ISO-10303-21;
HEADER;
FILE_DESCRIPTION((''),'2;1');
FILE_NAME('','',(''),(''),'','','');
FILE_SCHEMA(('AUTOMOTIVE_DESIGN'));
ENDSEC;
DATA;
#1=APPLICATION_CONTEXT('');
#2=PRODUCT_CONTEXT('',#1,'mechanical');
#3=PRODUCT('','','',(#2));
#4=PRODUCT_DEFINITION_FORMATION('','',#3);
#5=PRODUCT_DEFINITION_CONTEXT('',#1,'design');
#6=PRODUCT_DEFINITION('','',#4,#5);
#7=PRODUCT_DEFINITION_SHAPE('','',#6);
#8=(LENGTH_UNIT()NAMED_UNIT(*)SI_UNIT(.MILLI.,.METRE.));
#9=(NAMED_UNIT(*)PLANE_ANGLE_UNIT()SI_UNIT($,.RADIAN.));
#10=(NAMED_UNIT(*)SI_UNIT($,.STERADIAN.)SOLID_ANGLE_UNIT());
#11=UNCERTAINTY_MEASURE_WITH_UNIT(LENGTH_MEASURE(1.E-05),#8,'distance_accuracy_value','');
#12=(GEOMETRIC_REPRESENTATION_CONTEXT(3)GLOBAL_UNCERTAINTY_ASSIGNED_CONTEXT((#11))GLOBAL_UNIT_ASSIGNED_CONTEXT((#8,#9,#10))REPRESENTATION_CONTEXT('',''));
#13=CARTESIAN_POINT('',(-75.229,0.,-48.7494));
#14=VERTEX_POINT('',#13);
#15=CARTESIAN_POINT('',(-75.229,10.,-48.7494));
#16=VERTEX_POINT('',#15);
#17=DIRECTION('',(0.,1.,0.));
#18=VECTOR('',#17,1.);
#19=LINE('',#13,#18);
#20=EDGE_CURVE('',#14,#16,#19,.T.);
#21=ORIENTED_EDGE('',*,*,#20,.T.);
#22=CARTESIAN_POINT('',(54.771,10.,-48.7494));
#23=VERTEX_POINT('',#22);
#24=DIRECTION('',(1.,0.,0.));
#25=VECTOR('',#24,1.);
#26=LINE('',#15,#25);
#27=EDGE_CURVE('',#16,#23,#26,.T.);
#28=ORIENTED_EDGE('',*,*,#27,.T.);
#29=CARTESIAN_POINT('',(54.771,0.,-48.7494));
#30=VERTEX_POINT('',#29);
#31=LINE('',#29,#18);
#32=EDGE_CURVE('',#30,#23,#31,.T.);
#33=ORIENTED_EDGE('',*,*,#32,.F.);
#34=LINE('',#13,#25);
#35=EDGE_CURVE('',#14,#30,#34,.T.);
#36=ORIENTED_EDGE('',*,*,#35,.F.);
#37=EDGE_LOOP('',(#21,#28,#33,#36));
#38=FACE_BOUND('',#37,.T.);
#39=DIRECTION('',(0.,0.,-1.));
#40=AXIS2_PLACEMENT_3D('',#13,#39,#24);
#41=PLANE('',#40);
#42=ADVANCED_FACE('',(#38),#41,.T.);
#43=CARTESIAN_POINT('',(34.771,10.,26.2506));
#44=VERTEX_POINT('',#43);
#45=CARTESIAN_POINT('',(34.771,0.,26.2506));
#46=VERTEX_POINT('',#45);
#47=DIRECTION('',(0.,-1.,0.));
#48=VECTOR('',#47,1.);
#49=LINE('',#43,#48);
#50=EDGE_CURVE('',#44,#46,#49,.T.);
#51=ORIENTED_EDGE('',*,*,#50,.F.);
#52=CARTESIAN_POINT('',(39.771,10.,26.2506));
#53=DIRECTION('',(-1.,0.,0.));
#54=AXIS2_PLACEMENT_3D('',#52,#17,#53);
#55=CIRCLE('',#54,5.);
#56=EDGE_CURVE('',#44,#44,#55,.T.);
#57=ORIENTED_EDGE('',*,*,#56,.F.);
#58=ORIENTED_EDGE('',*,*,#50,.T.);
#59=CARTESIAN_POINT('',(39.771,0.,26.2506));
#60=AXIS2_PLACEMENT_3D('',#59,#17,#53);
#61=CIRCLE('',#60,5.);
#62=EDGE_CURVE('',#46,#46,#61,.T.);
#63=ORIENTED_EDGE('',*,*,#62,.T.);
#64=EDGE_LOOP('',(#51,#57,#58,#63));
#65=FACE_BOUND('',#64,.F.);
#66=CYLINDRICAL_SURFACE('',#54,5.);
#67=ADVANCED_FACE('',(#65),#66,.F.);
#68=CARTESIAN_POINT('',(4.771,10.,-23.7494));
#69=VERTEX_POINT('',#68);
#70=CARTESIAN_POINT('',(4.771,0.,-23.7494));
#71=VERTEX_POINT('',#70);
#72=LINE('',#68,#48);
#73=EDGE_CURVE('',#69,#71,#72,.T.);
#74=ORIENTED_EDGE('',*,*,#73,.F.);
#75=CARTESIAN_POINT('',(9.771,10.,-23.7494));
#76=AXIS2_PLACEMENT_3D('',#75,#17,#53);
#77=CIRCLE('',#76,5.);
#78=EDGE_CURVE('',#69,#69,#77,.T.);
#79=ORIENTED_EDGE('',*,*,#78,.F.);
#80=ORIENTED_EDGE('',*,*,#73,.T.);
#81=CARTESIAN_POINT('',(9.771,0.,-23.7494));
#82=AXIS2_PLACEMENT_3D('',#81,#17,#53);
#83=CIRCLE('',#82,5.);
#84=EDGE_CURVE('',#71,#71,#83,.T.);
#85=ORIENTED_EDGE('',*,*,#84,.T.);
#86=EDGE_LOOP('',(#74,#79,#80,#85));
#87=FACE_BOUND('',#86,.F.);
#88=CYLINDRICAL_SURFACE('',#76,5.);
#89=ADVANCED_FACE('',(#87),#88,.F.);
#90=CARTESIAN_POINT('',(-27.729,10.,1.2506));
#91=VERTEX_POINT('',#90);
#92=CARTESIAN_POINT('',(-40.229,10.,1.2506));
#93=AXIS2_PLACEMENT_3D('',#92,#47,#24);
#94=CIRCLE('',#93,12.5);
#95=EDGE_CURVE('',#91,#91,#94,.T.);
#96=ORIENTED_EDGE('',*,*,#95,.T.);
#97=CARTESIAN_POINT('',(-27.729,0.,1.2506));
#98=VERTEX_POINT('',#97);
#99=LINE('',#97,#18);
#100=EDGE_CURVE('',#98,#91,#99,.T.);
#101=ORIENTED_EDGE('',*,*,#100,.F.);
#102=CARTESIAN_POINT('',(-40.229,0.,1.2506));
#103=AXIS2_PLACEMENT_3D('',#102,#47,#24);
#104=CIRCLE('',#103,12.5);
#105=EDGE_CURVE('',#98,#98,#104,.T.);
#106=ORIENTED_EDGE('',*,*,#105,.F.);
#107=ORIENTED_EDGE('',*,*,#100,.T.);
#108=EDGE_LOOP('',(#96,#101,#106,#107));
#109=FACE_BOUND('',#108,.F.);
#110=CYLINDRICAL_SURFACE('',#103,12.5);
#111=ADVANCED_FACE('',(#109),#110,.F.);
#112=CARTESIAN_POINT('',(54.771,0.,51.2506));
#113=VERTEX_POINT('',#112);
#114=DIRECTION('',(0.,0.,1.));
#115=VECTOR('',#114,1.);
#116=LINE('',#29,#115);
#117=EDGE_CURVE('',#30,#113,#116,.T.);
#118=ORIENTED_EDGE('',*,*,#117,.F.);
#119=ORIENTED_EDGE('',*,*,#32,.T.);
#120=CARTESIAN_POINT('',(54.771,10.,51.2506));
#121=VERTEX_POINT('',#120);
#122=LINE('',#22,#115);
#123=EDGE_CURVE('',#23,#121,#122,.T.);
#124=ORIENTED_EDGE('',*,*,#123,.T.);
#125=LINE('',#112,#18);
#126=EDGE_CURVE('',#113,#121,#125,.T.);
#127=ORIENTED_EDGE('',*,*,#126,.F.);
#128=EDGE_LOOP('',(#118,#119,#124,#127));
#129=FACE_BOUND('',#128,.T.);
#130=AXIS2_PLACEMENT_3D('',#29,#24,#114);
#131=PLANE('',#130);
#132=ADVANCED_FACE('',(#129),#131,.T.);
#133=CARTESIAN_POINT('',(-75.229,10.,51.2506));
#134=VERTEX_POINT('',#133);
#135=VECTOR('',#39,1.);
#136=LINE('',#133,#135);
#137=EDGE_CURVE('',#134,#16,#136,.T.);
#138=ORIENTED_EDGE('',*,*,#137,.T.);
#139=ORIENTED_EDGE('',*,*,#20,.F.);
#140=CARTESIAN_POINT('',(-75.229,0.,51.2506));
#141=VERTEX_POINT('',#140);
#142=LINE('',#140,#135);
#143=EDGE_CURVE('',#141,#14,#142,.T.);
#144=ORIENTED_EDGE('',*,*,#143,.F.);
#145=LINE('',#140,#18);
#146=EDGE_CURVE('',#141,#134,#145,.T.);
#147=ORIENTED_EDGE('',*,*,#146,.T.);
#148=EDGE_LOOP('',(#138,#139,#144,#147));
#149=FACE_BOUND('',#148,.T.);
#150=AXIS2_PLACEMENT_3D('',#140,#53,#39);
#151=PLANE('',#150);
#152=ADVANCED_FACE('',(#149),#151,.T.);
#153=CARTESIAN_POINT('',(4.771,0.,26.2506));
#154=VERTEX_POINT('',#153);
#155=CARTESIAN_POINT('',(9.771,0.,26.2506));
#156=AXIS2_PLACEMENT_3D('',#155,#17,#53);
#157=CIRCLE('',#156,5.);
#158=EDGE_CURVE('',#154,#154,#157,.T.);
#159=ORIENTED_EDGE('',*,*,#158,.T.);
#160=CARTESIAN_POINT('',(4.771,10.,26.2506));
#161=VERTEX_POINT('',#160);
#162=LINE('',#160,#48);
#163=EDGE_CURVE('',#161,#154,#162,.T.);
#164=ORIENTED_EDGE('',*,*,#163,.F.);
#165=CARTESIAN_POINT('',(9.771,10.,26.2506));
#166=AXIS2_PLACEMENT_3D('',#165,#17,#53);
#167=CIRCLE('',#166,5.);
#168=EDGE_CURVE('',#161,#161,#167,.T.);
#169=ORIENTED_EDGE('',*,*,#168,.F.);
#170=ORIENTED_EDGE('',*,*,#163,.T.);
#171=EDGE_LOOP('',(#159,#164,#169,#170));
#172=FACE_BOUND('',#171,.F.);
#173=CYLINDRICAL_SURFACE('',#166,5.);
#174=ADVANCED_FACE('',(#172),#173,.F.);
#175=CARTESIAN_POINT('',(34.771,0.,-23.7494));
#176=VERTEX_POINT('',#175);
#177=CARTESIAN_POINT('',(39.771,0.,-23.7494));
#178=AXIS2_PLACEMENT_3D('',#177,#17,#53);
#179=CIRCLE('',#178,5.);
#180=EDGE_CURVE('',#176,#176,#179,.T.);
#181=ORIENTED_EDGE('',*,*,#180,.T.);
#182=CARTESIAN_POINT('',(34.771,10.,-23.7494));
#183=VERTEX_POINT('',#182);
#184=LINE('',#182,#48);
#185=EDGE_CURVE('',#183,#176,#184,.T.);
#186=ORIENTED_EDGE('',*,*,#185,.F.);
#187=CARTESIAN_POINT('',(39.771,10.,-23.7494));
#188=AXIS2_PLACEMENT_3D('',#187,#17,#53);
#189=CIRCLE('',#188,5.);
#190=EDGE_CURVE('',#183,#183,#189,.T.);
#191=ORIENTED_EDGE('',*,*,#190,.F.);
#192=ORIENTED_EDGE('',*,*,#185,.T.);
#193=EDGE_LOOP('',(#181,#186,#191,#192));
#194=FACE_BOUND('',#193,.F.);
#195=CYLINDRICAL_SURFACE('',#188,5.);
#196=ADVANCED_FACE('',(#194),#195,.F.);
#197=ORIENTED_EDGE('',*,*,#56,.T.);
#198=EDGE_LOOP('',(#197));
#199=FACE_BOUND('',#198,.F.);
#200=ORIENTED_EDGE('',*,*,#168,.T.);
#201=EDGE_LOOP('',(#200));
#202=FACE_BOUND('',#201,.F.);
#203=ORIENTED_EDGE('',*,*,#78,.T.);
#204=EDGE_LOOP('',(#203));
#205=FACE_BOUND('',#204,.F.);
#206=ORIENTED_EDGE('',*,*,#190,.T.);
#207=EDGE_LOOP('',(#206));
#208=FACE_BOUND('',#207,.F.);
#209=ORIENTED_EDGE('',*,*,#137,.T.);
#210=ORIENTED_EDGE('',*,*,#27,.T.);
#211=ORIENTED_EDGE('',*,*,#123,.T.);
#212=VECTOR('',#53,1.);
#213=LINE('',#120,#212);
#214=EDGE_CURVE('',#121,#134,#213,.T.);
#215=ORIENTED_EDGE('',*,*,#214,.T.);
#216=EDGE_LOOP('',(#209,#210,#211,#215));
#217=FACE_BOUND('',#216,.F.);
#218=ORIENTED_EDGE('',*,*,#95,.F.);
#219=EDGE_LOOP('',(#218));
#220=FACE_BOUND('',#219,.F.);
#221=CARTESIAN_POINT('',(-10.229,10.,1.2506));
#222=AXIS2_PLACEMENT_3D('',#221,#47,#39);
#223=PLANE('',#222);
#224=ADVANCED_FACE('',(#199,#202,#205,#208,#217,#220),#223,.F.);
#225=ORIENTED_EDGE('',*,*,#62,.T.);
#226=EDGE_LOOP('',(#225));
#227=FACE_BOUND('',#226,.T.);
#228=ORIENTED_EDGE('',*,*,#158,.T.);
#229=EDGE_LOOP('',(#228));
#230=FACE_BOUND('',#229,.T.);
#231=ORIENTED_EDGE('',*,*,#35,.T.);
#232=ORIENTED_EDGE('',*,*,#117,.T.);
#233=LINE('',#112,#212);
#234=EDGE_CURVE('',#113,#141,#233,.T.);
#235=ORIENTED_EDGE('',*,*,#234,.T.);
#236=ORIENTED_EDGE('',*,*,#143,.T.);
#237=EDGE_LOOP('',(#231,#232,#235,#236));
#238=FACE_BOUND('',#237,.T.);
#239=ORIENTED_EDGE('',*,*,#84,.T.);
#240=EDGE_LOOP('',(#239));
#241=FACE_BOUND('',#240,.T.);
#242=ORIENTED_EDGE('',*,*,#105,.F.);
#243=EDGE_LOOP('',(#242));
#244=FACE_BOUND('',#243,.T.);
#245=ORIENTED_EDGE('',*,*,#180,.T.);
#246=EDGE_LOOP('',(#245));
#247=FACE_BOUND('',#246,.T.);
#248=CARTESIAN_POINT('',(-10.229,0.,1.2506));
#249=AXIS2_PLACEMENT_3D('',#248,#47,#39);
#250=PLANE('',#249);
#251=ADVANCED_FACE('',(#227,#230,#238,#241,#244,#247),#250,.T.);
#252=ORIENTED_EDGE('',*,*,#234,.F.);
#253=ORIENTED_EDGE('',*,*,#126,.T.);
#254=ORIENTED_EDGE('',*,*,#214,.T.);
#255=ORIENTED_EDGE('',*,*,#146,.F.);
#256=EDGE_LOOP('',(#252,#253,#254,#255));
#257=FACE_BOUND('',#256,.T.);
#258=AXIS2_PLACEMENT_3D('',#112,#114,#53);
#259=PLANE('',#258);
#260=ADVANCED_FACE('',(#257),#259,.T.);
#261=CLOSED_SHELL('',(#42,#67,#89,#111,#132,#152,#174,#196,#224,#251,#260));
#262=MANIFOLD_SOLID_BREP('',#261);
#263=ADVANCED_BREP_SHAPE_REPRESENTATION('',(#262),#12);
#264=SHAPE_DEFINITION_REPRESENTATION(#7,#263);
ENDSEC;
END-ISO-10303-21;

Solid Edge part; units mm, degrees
sketch "Sketch1" plane through (0, 0, 0) normal (0, -1, 0) x (1, 0, 0)
  line L0 (-75.229, -48.7494) -> (54.771, -48.7494)
  line L1 (54.771, -48.7494) -> (54.771, 51.2506)
  line L2 (54.771, 51.2506) -> (-75.229, 51.2506)
  line L3 (-75.229, 51.2506) -> (-75.229, -48.7494)
  dimension "D1" = 100
  dimension "D2" = 130
extrude "Protrusion1" add sketch "Sketch1" against normal blind 10
sketch "Sketch2" plane through (24.771, 0, 1.2506) normal (0, -1, 0) x (1, 0, 0)
  circle A0 centre (-65, 0) radius 12.5
  dimension "D1" = 25
  dimension "D2" = 35
extrude "Cutout1" cut sketch "Sketch2" against normal through all
sketch "Sketch3" plane through (-15.229, 10, 1.2506) normal (0, 1, 0) x (-1, 0, 0)
  circle A0 centre (-25, -25) radius 5
  circle A1 centre (-25, 25) radius 5
  circle A2 centre (-55, -25) radius 5
  circle A3 centre (-55, 25) radius 5
  dimension "D1" = 10
  dimension "D2" = 10
  dimension "D3" = 10
  dimension "D4" = 10
  dimension "D5" = 50
  dimension "D6" = 30
  dimension "D7" = 15
  dimension "D8" = 25
extrude "Cutout2" cut sketch "Sketch3" against normal through all
properties material "Aluminum, 6061-T6"
